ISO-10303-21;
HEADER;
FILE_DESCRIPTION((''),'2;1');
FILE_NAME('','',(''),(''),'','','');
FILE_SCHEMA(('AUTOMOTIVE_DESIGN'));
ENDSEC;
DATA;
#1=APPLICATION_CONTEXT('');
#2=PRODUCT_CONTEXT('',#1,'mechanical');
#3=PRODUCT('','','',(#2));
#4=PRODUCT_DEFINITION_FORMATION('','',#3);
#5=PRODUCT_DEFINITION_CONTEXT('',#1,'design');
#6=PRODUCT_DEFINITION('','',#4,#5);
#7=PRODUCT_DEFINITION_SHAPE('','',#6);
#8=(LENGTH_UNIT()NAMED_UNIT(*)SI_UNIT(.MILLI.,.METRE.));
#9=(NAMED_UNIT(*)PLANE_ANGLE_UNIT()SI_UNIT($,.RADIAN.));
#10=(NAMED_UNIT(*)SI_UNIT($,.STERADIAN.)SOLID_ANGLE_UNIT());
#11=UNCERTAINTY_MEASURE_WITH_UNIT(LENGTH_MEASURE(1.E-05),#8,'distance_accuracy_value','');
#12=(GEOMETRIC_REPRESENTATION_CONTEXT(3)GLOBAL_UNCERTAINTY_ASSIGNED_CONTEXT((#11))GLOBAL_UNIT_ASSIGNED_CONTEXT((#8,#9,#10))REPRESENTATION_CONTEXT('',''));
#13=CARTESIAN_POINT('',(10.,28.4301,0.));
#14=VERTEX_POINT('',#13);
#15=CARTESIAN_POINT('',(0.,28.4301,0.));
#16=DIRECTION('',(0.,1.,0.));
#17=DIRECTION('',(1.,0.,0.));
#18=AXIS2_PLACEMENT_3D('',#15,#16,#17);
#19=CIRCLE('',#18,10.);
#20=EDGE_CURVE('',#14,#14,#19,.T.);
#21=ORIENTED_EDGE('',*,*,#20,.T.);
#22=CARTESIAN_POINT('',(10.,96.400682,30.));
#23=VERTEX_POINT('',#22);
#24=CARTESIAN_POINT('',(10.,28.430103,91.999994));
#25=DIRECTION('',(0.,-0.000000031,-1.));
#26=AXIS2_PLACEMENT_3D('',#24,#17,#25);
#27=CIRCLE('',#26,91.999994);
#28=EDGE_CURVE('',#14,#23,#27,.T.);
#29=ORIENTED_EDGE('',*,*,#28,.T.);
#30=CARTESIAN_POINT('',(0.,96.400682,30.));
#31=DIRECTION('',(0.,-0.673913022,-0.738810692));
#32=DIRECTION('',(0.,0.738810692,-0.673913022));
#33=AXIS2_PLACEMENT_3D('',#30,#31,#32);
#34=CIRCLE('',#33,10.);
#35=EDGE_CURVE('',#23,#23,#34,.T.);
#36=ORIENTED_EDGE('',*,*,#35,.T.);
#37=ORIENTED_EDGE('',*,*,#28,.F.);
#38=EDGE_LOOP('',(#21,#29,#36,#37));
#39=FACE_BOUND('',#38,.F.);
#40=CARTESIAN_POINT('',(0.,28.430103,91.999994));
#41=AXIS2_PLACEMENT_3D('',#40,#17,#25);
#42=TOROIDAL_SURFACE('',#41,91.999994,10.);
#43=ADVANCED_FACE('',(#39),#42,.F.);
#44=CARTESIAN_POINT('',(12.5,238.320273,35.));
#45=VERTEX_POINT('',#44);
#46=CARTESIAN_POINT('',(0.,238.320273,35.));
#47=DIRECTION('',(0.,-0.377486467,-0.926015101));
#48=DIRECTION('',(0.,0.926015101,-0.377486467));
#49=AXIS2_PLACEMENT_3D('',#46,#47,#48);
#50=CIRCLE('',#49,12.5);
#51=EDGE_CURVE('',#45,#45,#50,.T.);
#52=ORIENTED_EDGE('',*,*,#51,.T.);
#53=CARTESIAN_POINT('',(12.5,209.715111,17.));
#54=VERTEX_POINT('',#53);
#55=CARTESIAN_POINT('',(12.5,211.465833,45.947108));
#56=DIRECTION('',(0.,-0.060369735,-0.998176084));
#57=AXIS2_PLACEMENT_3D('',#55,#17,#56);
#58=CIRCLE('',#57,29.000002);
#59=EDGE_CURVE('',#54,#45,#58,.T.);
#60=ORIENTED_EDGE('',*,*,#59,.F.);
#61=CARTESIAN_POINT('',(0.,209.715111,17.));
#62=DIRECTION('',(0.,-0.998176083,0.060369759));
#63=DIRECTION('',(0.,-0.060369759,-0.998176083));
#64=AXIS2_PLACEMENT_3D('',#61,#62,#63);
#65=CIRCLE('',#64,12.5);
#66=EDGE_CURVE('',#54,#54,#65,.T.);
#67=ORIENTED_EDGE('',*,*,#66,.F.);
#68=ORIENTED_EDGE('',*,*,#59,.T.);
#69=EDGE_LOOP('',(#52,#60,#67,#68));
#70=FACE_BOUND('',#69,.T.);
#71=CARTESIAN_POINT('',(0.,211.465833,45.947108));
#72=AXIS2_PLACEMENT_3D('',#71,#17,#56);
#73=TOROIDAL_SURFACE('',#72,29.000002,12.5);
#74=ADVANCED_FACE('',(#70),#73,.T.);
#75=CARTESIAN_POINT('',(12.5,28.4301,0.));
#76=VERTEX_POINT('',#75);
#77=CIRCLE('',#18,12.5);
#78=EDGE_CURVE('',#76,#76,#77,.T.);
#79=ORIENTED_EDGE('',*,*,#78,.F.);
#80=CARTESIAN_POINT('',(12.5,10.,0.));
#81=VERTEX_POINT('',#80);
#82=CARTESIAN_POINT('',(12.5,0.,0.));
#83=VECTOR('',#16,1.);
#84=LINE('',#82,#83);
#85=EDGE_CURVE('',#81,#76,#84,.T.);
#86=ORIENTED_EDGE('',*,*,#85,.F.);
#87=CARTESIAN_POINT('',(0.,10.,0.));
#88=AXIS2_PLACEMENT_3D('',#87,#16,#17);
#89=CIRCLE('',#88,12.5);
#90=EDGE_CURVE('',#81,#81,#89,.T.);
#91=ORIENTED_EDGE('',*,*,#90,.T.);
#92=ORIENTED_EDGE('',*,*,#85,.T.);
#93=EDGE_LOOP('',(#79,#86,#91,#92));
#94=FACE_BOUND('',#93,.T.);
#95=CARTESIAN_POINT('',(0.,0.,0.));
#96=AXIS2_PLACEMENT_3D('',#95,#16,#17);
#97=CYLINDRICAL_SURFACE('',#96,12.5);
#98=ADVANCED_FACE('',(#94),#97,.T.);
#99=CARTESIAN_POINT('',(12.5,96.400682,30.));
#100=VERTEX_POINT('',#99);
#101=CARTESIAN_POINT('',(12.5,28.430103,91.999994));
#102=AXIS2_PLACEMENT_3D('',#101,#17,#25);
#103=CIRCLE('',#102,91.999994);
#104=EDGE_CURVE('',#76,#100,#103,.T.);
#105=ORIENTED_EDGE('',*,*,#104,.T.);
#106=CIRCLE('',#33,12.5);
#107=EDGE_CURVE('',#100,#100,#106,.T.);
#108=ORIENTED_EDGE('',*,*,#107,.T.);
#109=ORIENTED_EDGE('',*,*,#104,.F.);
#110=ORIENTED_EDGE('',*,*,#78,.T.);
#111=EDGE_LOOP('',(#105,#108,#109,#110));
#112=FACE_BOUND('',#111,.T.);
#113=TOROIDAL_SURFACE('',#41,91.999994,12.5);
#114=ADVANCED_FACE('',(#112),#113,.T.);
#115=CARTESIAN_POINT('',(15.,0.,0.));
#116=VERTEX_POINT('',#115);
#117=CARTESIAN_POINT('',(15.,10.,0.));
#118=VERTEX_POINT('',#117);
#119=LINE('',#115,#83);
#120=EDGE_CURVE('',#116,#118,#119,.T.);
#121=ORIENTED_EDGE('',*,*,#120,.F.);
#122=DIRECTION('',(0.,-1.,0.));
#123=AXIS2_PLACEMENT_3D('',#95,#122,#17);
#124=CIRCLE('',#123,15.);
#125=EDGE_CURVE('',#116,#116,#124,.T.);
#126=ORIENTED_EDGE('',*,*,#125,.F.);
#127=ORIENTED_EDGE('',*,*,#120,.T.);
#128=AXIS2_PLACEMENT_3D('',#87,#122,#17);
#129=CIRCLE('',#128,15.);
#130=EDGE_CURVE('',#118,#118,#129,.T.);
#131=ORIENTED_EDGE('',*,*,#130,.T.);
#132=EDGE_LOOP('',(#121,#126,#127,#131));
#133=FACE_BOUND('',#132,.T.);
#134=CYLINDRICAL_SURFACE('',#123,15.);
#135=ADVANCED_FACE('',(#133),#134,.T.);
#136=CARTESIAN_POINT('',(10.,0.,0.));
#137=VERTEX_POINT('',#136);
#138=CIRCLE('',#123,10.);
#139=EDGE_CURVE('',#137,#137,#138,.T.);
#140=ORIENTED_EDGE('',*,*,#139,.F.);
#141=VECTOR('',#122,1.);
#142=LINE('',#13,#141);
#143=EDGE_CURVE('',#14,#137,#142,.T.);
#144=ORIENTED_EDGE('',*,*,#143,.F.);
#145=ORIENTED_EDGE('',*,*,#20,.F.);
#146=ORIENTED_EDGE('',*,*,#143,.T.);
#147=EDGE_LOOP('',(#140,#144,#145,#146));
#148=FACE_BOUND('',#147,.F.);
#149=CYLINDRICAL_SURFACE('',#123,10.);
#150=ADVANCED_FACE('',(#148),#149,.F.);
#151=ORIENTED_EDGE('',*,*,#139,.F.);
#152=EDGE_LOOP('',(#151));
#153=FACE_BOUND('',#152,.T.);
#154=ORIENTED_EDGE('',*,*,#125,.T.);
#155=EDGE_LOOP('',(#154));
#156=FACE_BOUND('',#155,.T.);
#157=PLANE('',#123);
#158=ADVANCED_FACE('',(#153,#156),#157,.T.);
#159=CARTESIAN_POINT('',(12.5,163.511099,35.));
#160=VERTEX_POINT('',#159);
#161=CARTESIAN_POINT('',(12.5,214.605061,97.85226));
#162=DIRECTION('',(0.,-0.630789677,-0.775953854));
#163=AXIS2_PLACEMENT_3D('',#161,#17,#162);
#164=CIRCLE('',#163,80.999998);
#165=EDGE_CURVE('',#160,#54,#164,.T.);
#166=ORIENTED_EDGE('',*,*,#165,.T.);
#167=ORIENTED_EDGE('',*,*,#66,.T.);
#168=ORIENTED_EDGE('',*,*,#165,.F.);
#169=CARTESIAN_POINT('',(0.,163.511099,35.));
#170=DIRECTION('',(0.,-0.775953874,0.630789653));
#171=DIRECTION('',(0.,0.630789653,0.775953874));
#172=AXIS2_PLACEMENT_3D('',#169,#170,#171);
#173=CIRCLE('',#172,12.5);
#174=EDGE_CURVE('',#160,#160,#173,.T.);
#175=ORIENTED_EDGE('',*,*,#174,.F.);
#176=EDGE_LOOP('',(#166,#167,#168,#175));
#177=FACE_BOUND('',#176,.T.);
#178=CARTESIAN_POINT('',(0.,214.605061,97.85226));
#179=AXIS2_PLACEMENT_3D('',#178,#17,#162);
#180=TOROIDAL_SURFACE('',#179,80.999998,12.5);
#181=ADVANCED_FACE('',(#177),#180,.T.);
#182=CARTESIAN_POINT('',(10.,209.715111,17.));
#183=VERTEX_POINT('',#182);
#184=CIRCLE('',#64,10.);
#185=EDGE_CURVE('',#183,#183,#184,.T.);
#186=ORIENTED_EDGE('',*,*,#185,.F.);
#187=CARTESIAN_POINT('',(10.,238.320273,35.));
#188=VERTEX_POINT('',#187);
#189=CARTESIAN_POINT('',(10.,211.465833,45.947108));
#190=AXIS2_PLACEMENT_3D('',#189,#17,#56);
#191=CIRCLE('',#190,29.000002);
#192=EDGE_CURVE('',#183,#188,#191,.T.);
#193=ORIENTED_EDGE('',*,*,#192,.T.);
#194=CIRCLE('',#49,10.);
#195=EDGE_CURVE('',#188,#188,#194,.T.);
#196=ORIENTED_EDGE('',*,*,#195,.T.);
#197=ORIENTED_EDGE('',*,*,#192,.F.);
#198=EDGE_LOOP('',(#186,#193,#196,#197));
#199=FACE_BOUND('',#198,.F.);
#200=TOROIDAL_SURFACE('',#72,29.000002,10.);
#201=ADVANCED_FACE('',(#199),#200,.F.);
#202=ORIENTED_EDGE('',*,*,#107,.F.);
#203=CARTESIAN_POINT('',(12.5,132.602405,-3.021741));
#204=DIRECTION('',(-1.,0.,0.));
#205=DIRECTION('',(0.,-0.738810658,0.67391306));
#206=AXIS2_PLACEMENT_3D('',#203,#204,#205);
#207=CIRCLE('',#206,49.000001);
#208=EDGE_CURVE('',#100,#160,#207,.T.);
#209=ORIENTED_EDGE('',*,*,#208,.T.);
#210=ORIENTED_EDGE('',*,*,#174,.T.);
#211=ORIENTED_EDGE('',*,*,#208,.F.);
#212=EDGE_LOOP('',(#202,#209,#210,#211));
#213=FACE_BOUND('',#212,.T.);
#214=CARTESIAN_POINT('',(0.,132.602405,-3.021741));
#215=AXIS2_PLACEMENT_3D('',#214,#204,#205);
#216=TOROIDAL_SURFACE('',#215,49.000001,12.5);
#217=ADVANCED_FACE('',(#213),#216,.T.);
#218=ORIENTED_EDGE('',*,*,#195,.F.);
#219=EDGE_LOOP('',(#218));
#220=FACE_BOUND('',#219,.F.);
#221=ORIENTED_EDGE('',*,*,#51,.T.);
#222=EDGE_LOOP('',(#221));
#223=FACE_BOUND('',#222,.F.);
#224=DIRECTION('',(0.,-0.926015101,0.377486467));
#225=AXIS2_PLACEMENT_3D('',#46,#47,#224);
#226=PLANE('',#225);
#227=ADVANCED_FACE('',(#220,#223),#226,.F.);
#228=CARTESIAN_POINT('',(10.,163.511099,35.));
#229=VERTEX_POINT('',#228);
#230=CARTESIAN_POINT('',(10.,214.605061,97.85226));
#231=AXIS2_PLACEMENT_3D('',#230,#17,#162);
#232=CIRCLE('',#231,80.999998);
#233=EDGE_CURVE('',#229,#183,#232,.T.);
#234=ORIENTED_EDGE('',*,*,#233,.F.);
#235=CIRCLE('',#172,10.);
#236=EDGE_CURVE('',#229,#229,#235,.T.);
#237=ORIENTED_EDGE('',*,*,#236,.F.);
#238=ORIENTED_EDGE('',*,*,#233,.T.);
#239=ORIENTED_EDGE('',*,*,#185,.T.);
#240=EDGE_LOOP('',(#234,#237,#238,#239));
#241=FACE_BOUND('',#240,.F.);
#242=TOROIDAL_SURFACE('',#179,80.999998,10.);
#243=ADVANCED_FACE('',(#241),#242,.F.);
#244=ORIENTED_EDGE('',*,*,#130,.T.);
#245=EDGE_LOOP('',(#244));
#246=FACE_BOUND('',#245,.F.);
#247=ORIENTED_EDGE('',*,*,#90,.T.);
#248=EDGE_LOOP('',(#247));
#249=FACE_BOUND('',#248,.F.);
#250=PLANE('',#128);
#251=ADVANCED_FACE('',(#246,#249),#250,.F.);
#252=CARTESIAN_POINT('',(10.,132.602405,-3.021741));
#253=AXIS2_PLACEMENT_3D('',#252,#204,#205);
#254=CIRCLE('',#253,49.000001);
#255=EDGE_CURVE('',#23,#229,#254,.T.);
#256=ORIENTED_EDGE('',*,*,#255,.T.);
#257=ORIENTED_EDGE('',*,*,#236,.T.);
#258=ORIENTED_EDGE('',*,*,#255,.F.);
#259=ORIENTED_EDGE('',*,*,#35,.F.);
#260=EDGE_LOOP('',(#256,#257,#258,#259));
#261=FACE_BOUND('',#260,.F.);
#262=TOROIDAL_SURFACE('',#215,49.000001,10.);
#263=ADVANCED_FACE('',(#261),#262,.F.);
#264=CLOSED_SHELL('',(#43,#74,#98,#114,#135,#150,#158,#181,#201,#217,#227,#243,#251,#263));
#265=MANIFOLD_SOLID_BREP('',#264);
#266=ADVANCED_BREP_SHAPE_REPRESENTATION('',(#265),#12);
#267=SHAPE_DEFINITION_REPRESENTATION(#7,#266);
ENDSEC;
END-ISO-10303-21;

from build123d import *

# Parameters (mm, degrees)
F0_R     = 12.5
F0_R_2   = 10
F3_R     = 15
F4_DEPTH = 10
F5_R     = 10
F6_DEPTH = 10


with BuildPart() as f2:
    # F2: sweep along a path in F1
    with BuildLine(Plane.YZ) as f2_path:
        Line((0, 0), (28.4301, 0))
        ThreePointArc((28.4301, 0), (65.578452, 7.833498), (96.400682, 30))
        ThreePointArc((96.400682, 30), (128.961795, 45.842828), (163.511099, 35))
        ThreePointArc((163.511099, 35), (185.201837, 22.37743), (209.715111, 17))
        ThreePointArc((209.715111, 17), (226.91087, 21.402232), (238.320273, 35))
    # F0 (on Front) → F2 (sweep)
    with BuildSketch(Plane.XZ):
        Circle(F0_R)
        Circle(F0_R_2, mode=Mode.SUBTRACT)
    sweep(path=f2_path.line)

    # F3 (on Front) → F4 (join)
    with BuildSketch(Plane.XZ):
        Circle(F3_R)
    extrude(amount=-F4_DEPTH)

    # F5 (on face) → F6 (cut)
    with BuildSketch(Plane.XZ):
        Circle(F5_R)
    extrude(amount=-F6_DEPTH, mode=Mode.SUBTRACT)


solid = f2.part
